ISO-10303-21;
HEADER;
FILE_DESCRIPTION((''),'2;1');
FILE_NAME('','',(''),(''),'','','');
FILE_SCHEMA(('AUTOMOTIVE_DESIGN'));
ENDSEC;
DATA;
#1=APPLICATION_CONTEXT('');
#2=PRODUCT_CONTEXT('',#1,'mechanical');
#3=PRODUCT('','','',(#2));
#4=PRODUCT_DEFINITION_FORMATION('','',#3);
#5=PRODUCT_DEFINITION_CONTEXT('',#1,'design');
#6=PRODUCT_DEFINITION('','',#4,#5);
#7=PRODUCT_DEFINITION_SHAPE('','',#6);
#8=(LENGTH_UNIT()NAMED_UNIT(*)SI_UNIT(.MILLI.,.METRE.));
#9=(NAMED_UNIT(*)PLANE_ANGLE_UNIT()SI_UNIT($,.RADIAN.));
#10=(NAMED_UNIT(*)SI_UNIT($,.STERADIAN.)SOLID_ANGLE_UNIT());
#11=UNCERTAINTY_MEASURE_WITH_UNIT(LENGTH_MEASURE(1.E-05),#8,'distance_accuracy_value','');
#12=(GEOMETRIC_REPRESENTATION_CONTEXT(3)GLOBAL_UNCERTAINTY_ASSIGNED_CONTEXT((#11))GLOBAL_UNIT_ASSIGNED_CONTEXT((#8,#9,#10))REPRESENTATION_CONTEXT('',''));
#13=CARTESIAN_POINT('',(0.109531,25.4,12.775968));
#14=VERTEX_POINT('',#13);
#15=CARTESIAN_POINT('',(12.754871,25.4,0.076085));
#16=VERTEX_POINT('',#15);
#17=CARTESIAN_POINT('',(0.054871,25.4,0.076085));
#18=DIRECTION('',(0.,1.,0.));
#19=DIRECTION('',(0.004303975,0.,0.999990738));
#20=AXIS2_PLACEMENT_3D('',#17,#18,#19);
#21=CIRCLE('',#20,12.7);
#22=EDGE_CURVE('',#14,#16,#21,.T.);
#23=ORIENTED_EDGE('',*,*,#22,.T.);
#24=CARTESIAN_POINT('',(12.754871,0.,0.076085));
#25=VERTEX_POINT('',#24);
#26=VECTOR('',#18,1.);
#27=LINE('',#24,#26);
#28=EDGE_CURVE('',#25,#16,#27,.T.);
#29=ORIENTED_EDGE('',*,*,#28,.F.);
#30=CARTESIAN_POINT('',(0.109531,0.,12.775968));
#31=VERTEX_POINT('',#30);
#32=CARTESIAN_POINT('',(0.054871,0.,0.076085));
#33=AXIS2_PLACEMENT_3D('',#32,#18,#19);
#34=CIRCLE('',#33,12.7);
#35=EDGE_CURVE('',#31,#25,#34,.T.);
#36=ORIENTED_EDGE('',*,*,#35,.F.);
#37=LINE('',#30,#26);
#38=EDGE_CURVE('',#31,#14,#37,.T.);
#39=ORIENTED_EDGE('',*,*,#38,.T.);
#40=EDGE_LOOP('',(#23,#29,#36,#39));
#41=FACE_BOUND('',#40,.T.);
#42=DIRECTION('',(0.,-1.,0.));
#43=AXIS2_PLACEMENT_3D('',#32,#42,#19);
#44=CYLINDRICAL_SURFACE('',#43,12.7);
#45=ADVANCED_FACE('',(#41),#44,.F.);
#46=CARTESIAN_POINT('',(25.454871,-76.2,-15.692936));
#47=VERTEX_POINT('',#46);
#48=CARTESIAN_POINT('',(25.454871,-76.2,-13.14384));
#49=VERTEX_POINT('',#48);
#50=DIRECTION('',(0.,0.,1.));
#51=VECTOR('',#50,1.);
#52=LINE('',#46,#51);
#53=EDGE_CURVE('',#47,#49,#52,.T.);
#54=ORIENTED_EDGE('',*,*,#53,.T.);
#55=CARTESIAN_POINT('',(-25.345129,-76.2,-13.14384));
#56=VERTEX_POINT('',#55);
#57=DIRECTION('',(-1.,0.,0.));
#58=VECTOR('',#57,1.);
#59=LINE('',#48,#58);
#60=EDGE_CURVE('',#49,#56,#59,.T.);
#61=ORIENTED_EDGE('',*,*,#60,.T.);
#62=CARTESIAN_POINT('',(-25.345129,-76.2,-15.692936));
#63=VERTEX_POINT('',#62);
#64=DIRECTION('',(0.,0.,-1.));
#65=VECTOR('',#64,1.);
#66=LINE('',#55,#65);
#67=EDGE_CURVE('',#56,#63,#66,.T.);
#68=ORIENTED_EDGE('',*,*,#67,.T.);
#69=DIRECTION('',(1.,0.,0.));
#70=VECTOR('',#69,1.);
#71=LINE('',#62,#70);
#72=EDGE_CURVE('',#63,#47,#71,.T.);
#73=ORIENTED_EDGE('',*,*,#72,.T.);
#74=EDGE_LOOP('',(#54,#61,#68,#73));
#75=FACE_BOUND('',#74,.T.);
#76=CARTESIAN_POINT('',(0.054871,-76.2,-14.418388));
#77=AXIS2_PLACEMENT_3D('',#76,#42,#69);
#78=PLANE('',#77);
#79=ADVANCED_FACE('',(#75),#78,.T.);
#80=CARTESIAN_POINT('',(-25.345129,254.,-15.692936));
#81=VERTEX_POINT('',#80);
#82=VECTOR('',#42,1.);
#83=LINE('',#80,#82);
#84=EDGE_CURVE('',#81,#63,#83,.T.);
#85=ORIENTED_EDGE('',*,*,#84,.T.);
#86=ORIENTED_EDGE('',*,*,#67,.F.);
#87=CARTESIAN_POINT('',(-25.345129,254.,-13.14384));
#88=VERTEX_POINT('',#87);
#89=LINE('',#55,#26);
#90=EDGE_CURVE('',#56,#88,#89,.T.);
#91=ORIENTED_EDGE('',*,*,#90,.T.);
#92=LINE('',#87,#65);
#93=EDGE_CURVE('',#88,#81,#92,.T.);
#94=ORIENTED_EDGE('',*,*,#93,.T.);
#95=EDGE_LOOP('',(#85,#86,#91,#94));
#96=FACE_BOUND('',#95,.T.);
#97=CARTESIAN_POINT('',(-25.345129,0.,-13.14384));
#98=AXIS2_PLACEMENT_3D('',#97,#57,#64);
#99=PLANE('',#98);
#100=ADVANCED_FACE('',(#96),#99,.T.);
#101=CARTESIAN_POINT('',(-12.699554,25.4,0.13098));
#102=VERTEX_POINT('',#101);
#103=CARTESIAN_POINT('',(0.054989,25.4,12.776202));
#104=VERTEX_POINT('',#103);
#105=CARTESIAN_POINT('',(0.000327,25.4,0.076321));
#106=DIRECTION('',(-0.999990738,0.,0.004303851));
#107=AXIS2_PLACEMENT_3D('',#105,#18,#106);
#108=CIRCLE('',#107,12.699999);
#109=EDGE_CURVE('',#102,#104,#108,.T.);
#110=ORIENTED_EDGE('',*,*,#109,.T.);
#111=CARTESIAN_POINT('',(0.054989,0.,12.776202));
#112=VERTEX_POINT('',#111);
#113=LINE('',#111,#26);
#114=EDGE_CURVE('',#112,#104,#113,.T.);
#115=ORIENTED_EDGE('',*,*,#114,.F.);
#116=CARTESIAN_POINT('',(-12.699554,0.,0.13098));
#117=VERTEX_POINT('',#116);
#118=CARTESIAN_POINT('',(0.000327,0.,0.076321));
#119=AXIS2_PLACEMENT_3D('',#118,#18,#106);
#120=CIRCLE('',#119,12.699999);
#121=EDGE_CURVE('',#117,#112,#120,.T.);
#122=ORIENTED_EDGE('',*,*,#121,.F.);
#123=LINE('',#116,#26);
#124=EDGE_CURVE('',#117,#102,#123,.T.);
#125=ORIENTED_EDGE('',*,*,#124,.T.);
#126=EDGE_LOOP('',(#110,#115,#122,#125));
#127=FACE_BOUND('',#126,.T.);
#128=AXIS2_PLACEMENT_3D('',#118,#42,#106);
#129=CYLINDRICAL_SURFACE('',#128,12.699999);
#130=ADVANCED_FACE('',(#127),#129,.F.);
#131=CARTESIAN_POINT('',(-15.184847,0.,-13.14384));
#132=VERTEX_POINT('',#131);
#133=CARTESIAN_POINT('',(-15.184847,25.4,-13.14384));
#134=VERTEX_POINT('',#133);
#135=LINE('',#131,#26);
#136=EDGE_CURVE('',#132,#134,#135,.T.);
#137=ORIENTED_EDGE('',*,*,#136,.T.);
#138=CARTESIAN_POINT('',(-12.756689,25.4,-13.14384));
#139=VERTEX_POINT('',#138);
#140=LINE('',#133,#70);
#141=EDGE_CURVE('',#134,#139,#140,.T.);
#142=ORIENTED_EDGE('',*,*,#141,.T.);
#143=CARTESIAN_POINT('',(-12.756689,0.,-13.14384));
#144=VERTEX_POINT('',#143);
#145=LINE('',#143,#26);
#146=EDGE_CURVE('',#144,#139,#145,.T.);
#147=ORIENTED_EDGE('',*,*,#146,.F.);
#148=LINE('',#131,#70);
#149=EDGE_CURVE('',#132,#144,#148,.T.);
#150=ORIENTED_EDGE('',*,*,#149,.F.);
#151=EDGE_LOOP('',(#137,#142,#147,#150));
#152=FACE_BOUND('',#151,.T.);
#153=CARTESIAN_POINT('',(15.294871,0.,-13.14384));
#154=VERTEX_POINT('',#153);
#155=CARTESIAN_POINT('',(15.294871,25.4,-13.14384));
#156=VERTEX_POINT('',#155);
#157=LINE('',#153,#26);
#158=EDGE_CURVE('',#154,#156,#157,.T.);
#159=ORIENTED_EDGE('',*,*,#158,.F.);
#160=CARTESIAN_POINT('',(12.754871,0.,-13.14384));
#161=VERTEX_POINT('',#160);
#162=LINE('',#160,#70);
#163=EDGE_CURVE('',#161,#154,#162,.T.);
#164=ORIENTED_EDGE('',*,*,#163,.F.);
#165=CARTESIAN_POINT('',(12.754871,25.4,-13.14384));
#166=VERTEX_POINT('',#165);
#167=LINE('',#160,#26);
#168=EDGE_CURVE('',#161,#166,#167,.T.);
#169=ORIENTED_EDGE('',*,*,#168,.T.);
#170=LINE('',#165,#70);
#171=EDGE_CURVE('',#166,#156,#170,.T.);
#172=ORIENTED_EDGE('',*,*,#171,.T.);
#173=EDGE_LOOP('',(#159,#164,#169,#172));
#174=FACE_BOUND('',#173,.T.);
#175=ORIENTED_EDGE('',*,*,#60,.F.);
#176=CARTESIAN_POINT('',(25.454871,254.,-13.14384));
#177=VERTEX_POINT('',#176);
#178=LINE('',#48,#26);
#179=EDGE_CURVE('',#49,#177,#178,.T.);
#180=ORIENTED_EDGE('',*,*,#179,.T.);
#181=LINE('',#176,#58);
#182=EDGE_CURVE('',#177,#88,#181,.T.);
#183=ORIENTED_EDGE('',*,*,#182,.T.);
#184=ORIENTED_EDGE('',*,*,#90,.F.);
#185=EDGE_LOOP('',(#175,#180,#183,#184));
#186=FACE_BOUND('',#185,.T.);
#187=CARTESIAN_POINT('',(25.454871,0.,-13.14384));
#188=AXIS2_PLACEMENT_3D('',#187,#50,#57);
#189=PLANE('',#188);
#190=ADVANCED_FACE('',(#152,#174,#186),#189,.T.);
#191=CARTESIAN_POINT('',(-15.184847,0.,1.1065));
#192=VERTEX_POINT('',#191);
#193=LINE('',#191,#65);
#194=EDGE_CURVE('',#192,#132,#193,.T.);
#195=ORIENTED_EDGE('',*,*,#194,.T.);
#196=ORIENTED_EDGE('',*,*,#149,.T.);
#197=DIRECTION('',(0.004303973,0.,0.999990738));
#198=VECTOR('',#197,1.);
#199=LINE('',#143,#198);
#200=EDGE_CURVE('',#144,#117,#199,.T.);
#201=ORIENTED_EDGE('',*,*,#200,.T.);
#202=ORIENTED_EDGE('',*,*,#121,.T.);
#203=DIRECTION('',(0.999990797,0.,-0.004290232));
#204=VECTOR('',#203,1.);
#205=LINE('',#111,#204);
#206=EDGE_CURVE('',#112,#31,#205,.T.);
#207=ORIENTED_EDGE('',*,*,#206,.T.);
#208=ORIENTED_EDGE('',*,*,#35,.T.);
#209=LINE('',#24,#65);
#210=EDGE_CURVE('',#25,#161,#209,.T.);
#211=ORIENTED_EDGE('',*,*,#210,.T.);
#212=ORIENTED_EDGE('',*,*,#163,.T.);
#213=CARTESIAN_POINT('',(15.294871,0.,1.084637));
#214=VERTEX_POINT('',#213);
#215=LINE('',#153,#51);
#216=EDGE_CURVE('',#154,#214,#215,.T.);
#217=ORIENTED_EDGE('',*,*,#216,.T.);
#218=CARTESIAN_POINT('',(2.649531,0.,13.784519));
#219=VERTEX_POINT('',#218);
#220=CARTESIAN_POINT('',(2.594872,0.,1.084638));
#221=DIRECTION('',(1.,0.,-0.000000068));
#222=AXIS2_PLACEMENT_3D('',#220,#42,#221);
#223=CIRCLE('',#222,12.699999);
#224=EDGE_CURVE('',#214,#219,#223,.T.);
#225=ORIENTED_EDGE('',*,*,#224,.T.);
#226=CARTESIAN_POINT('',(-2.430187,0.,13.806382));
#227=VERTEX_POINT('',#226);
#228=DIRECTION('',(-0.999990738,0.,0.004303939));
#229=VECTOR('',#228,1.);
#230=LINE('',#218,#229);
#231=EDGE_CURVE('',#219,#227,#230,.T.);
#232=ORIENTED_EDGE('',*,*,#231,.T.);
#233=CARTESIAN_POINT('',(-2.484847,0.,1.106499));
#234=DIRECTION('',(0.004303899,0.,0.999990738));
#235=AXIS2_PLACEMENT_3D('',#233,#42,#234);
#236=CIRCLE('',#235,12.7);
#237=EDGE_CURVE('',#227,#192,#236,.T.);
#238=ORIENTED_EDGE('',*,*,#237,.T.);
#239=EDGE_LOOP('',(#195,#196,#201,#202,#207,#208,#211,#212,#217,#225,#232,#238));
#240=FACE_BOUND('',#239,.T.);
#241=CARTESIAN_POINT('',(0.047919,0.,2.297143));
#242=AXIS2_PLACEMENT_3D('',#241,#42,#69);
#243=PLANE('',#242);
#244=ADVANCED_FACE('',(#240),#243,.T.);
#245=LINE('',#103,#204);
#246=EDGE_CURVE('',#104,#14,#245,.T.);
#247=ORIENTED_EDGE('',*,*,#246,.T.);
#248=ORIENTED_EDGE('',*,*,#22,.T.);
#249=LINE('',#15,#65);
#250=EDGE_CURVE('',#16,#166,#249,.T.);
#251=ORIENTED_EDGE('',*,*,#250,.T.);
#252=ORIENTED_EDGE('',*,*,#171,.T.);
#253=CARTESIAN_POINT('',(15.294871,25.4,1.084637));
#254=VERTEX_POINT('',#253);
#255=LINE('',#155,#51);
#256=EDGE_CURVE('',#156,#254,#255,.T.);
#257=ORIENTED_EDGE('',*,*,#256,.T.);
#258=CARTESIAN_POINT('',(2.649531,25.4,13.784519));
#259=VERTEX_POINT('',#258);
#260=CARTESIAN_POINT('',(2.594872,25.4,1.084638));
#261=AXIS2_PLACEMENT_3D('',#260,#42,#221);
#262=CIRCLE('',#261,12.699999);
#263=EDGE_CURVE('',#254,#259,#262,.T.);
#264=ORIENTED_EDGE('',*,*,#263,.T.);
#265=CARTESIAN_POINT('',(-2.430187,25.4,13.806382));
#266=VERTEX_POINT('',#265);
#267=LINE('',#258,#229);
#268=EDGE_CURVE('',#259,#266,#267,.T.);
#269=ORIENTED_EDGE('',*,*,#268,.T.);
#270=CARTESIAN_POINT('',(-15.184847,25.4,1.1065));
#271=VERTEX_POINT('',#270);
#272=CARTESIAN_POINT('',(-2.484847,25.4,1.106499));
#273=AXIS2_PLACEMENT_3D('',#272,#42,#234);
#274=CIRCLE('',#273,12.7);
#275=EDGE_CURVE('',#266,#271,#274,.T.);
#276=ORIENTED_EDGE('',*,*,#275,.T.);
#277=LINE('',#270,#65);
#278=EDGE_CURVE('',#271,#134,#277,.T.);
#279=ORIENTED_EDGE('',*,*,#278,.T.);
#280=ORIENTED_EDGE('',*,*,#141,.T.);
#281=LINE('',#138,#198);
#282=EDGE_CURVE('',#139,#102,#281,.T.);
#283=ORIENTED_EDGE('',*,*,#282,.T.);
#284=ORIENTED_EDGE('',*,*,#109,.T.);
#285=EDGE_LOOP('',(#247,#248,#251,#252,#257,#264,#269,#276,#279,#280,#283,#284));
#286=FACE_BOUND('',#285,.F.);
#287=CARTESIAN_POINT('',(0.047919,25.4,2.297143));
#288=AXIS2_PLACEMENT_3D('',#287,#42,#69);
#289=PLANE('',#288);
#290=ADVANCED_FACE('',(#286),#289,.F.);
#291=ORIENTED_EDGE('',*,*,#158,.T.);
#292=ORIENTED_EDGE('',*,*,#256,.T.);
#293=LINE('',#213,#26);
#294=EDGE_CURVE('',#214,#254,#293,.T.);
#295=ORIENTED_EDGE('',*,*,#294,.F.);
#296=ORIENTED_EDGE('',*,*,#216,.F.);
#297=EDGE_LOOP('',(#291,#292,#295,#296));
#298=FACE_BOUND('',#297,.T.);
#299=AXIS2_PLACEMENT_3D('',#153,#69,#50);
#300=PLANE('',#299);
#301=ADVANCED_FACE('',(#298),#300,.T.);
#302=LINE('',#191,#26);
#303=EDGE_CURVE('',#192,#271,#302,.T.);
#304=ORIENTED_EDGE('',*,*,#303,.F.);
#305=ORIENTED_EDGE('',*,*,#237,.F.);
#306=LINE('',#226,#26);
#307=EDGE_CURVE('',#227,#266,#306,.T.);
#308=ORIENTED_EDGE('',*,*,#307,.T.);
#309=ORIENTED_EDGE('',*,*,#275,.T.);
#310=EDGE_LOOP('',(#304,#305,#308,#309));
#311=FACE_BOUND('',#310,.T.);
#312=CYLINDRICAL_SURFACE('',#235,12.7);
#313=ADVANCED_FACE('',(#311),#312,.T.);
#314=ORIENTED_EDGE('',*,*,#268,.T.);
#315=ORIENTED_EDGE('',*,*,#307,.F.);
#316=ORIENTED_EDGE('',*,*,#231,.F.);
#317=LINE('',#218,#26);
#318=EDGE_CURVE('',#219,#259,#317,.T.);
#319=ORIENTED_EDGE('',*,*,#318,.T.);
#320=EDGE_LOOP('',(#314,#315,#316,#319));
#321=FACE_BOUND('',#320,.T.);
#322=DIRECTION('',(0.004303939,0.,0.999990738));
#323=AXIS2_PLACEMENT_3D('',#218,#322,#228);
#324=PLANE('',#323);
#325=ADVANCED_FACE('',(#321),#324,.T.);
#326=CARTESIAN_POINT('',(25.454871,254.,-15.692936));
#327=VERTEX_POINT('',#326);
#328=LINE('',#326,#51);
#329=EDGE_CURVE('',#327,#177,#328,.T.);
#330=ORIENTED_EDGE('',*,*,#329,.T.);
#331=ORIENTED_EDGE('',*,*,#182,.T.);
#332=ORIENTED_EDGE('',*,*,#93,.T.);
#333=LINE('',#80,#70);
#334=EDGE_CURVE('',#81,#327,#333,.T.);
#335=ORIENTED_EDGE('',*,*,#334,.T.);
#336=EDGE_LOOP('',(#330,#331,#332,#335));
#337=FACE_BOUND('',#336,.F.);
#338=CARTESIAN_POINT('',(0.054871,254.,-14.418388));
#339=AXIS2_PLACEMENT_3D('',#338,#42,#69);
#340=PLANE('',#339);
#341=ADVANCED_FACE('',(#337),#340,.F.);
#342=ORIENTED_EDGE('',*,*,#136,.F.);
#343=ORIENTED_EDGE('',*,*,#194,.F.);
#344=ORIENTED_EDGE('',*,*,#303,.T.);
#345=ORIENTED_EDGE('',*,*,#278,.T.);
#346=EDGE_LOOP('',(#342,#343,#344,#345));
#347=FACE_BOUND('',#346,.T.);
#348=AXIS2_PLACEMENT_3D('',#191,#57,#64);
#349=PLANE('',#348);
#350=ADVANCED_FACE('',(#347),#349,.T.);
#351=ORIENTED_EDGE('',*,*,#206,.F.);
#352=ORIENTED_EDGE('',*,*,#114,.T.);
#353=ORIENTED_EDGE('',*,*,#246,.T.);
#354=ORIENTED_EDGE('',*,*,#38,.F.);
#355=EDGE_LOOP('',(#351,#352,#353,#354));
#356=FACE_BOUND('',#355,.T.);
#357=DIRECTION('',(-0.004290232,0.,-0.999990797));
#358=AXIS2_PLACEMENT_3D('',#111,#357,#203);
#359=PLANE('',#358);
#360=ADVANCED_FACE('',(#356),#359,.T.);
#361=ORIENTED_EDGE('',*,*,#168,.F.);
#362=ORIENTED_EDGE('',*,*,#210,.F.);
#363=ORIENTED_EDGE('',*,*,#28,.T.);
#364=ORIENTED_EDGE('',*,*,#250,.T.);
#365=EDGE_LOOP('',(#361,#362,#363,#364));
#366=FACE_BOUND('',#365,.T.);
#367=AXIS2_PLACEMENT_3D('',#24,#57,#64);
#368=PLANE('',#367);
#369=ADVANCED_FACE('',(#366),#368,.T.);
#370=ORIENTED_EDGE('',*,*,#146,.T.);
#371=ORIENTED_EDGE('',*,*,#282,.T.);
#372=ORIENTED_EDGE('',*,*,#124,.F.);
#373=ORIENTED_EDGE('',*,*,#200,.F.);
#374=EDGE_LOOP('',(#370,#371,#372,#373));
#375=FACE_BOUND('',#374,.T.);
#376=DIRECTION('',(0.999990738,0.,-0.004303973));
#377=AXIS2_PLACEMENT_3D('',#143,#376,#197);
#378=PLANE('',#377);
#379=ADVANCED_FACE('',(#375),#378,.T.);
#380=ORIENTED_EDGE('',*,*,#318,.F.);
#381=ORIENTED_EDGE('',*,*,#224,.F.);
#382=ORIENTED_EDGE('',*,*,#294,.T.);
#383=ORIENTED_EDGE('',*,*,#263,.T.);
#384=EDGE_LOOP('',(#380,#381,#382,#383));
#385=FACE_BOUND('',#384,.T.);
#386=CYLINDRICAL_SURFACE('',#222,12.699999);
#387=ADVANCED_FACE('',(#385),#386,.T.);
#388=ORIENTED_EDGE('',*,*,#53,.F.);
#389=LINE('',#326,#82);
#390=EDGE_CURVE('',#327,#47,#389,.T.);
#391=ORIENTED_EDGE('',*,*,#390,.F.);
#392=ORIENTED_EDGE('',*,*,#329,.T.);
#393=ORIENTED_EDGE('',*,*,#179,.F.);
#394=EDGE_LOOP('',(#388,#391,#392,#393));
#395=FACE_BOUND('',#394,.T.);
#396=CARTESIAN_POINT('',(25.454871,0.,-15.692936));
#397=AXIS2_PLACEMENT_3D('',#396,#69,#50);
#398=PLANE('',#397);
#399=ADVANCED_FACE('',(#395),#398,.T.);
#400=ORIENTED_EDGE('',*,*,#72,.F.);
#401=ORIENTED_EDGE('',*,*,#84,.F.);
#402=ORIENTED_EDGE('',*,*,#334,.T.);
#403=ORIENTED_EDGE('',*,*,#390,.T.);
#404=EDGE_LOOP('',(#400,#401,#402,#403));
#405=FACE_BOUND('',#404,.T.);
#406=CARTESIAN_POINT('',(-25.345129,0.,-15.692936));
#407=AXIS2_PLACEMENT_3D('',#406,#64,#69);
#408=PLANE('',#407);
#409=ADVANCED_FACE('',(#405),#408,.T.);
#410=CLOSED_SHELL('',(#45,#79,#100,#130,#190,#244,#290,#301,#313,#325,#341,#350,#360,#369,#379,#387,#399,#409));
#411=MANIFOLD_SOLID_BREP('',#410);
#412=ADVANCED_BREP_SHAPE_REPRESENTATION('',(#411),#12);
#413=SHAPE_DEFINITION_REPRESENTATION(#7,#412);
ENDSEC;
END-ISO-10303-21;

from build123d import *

# Parameters (mm, degrees)
F1_DEPTH = 76.2
F2_DEPTH = 254
F3_DEPTH = 25.4


with BuildPart() as f1:
    # F0 (on Front) → F1 (new body)
    with BuildSketch(Plane.XZ):
        Polygon((-15.184847, -13.14384), (-25.345129, -13.14384), (-25.345129, -15.692936), (25.454871, -15.692936), (25.454871, -13.14384), (15.294871, -13.14384), (12.754871, -13.14384), (-12.756689, -13.14384), align=None)
    extrude(amount=F1_DEPTH)

    # F0 (on Front) → F2 (join)
    with BuildSketch(Plane.XZ):
        Polygon((-15.184847, -13.14384), (-25.345129, -13.14384), (-25.345129, -15.692936), (25.454871, -15.692936), (25.454871, -13.14384), (15.294871, -13.14384), (12.754871, -13.14384), (-12.756689, -13.14384), align=None)
    extrude(amount=-F2_DEPTH)

    # F0 (on Front) → F3 (join)
    with BuildSketch(Plane.XZ):
        with BuildLine():
            Line((-15.184847, 1.1065), (-15.184847, -13.14384))
            Line((-15.184847, -13.14384), (-12.756689, -13.14384))
            Line((-12.756689, -13.14384), (-12.699554, 0.13098))
            ThreePointArc((-12.699554, 0.13098), (-8.941194, 9.095144), (0.054989, 12.776202))
            Line((0.054989, 12.776202), (0.109531, 12.775968))
            ThreePointArc((0.109531, 12.775968), (9.054432, 9.036995), (12.754871, 0.076085))
            Line((12.754871, 0.076085), (12.754871, -13.14384))
            Line((12.754871, -13.14384), (15.294871, -13.14384))
            Line((15.294871, -13.14384), (15.294871, 1.084637))
            ThreePointArc((15.294871, 1.084637), (11.594432, 10.045547), (2.649531, 13.784519))
            Line((2.649531, 13.784519), (-2.430187, 13.806382))
            ThreePointArc((-2.430187, 13.806382), (-11.445757, 10.10606), (-15.184847, 1.1065))
        make_face()
    extrude(amount=-F3_DEPTH)


solid = f1.part
